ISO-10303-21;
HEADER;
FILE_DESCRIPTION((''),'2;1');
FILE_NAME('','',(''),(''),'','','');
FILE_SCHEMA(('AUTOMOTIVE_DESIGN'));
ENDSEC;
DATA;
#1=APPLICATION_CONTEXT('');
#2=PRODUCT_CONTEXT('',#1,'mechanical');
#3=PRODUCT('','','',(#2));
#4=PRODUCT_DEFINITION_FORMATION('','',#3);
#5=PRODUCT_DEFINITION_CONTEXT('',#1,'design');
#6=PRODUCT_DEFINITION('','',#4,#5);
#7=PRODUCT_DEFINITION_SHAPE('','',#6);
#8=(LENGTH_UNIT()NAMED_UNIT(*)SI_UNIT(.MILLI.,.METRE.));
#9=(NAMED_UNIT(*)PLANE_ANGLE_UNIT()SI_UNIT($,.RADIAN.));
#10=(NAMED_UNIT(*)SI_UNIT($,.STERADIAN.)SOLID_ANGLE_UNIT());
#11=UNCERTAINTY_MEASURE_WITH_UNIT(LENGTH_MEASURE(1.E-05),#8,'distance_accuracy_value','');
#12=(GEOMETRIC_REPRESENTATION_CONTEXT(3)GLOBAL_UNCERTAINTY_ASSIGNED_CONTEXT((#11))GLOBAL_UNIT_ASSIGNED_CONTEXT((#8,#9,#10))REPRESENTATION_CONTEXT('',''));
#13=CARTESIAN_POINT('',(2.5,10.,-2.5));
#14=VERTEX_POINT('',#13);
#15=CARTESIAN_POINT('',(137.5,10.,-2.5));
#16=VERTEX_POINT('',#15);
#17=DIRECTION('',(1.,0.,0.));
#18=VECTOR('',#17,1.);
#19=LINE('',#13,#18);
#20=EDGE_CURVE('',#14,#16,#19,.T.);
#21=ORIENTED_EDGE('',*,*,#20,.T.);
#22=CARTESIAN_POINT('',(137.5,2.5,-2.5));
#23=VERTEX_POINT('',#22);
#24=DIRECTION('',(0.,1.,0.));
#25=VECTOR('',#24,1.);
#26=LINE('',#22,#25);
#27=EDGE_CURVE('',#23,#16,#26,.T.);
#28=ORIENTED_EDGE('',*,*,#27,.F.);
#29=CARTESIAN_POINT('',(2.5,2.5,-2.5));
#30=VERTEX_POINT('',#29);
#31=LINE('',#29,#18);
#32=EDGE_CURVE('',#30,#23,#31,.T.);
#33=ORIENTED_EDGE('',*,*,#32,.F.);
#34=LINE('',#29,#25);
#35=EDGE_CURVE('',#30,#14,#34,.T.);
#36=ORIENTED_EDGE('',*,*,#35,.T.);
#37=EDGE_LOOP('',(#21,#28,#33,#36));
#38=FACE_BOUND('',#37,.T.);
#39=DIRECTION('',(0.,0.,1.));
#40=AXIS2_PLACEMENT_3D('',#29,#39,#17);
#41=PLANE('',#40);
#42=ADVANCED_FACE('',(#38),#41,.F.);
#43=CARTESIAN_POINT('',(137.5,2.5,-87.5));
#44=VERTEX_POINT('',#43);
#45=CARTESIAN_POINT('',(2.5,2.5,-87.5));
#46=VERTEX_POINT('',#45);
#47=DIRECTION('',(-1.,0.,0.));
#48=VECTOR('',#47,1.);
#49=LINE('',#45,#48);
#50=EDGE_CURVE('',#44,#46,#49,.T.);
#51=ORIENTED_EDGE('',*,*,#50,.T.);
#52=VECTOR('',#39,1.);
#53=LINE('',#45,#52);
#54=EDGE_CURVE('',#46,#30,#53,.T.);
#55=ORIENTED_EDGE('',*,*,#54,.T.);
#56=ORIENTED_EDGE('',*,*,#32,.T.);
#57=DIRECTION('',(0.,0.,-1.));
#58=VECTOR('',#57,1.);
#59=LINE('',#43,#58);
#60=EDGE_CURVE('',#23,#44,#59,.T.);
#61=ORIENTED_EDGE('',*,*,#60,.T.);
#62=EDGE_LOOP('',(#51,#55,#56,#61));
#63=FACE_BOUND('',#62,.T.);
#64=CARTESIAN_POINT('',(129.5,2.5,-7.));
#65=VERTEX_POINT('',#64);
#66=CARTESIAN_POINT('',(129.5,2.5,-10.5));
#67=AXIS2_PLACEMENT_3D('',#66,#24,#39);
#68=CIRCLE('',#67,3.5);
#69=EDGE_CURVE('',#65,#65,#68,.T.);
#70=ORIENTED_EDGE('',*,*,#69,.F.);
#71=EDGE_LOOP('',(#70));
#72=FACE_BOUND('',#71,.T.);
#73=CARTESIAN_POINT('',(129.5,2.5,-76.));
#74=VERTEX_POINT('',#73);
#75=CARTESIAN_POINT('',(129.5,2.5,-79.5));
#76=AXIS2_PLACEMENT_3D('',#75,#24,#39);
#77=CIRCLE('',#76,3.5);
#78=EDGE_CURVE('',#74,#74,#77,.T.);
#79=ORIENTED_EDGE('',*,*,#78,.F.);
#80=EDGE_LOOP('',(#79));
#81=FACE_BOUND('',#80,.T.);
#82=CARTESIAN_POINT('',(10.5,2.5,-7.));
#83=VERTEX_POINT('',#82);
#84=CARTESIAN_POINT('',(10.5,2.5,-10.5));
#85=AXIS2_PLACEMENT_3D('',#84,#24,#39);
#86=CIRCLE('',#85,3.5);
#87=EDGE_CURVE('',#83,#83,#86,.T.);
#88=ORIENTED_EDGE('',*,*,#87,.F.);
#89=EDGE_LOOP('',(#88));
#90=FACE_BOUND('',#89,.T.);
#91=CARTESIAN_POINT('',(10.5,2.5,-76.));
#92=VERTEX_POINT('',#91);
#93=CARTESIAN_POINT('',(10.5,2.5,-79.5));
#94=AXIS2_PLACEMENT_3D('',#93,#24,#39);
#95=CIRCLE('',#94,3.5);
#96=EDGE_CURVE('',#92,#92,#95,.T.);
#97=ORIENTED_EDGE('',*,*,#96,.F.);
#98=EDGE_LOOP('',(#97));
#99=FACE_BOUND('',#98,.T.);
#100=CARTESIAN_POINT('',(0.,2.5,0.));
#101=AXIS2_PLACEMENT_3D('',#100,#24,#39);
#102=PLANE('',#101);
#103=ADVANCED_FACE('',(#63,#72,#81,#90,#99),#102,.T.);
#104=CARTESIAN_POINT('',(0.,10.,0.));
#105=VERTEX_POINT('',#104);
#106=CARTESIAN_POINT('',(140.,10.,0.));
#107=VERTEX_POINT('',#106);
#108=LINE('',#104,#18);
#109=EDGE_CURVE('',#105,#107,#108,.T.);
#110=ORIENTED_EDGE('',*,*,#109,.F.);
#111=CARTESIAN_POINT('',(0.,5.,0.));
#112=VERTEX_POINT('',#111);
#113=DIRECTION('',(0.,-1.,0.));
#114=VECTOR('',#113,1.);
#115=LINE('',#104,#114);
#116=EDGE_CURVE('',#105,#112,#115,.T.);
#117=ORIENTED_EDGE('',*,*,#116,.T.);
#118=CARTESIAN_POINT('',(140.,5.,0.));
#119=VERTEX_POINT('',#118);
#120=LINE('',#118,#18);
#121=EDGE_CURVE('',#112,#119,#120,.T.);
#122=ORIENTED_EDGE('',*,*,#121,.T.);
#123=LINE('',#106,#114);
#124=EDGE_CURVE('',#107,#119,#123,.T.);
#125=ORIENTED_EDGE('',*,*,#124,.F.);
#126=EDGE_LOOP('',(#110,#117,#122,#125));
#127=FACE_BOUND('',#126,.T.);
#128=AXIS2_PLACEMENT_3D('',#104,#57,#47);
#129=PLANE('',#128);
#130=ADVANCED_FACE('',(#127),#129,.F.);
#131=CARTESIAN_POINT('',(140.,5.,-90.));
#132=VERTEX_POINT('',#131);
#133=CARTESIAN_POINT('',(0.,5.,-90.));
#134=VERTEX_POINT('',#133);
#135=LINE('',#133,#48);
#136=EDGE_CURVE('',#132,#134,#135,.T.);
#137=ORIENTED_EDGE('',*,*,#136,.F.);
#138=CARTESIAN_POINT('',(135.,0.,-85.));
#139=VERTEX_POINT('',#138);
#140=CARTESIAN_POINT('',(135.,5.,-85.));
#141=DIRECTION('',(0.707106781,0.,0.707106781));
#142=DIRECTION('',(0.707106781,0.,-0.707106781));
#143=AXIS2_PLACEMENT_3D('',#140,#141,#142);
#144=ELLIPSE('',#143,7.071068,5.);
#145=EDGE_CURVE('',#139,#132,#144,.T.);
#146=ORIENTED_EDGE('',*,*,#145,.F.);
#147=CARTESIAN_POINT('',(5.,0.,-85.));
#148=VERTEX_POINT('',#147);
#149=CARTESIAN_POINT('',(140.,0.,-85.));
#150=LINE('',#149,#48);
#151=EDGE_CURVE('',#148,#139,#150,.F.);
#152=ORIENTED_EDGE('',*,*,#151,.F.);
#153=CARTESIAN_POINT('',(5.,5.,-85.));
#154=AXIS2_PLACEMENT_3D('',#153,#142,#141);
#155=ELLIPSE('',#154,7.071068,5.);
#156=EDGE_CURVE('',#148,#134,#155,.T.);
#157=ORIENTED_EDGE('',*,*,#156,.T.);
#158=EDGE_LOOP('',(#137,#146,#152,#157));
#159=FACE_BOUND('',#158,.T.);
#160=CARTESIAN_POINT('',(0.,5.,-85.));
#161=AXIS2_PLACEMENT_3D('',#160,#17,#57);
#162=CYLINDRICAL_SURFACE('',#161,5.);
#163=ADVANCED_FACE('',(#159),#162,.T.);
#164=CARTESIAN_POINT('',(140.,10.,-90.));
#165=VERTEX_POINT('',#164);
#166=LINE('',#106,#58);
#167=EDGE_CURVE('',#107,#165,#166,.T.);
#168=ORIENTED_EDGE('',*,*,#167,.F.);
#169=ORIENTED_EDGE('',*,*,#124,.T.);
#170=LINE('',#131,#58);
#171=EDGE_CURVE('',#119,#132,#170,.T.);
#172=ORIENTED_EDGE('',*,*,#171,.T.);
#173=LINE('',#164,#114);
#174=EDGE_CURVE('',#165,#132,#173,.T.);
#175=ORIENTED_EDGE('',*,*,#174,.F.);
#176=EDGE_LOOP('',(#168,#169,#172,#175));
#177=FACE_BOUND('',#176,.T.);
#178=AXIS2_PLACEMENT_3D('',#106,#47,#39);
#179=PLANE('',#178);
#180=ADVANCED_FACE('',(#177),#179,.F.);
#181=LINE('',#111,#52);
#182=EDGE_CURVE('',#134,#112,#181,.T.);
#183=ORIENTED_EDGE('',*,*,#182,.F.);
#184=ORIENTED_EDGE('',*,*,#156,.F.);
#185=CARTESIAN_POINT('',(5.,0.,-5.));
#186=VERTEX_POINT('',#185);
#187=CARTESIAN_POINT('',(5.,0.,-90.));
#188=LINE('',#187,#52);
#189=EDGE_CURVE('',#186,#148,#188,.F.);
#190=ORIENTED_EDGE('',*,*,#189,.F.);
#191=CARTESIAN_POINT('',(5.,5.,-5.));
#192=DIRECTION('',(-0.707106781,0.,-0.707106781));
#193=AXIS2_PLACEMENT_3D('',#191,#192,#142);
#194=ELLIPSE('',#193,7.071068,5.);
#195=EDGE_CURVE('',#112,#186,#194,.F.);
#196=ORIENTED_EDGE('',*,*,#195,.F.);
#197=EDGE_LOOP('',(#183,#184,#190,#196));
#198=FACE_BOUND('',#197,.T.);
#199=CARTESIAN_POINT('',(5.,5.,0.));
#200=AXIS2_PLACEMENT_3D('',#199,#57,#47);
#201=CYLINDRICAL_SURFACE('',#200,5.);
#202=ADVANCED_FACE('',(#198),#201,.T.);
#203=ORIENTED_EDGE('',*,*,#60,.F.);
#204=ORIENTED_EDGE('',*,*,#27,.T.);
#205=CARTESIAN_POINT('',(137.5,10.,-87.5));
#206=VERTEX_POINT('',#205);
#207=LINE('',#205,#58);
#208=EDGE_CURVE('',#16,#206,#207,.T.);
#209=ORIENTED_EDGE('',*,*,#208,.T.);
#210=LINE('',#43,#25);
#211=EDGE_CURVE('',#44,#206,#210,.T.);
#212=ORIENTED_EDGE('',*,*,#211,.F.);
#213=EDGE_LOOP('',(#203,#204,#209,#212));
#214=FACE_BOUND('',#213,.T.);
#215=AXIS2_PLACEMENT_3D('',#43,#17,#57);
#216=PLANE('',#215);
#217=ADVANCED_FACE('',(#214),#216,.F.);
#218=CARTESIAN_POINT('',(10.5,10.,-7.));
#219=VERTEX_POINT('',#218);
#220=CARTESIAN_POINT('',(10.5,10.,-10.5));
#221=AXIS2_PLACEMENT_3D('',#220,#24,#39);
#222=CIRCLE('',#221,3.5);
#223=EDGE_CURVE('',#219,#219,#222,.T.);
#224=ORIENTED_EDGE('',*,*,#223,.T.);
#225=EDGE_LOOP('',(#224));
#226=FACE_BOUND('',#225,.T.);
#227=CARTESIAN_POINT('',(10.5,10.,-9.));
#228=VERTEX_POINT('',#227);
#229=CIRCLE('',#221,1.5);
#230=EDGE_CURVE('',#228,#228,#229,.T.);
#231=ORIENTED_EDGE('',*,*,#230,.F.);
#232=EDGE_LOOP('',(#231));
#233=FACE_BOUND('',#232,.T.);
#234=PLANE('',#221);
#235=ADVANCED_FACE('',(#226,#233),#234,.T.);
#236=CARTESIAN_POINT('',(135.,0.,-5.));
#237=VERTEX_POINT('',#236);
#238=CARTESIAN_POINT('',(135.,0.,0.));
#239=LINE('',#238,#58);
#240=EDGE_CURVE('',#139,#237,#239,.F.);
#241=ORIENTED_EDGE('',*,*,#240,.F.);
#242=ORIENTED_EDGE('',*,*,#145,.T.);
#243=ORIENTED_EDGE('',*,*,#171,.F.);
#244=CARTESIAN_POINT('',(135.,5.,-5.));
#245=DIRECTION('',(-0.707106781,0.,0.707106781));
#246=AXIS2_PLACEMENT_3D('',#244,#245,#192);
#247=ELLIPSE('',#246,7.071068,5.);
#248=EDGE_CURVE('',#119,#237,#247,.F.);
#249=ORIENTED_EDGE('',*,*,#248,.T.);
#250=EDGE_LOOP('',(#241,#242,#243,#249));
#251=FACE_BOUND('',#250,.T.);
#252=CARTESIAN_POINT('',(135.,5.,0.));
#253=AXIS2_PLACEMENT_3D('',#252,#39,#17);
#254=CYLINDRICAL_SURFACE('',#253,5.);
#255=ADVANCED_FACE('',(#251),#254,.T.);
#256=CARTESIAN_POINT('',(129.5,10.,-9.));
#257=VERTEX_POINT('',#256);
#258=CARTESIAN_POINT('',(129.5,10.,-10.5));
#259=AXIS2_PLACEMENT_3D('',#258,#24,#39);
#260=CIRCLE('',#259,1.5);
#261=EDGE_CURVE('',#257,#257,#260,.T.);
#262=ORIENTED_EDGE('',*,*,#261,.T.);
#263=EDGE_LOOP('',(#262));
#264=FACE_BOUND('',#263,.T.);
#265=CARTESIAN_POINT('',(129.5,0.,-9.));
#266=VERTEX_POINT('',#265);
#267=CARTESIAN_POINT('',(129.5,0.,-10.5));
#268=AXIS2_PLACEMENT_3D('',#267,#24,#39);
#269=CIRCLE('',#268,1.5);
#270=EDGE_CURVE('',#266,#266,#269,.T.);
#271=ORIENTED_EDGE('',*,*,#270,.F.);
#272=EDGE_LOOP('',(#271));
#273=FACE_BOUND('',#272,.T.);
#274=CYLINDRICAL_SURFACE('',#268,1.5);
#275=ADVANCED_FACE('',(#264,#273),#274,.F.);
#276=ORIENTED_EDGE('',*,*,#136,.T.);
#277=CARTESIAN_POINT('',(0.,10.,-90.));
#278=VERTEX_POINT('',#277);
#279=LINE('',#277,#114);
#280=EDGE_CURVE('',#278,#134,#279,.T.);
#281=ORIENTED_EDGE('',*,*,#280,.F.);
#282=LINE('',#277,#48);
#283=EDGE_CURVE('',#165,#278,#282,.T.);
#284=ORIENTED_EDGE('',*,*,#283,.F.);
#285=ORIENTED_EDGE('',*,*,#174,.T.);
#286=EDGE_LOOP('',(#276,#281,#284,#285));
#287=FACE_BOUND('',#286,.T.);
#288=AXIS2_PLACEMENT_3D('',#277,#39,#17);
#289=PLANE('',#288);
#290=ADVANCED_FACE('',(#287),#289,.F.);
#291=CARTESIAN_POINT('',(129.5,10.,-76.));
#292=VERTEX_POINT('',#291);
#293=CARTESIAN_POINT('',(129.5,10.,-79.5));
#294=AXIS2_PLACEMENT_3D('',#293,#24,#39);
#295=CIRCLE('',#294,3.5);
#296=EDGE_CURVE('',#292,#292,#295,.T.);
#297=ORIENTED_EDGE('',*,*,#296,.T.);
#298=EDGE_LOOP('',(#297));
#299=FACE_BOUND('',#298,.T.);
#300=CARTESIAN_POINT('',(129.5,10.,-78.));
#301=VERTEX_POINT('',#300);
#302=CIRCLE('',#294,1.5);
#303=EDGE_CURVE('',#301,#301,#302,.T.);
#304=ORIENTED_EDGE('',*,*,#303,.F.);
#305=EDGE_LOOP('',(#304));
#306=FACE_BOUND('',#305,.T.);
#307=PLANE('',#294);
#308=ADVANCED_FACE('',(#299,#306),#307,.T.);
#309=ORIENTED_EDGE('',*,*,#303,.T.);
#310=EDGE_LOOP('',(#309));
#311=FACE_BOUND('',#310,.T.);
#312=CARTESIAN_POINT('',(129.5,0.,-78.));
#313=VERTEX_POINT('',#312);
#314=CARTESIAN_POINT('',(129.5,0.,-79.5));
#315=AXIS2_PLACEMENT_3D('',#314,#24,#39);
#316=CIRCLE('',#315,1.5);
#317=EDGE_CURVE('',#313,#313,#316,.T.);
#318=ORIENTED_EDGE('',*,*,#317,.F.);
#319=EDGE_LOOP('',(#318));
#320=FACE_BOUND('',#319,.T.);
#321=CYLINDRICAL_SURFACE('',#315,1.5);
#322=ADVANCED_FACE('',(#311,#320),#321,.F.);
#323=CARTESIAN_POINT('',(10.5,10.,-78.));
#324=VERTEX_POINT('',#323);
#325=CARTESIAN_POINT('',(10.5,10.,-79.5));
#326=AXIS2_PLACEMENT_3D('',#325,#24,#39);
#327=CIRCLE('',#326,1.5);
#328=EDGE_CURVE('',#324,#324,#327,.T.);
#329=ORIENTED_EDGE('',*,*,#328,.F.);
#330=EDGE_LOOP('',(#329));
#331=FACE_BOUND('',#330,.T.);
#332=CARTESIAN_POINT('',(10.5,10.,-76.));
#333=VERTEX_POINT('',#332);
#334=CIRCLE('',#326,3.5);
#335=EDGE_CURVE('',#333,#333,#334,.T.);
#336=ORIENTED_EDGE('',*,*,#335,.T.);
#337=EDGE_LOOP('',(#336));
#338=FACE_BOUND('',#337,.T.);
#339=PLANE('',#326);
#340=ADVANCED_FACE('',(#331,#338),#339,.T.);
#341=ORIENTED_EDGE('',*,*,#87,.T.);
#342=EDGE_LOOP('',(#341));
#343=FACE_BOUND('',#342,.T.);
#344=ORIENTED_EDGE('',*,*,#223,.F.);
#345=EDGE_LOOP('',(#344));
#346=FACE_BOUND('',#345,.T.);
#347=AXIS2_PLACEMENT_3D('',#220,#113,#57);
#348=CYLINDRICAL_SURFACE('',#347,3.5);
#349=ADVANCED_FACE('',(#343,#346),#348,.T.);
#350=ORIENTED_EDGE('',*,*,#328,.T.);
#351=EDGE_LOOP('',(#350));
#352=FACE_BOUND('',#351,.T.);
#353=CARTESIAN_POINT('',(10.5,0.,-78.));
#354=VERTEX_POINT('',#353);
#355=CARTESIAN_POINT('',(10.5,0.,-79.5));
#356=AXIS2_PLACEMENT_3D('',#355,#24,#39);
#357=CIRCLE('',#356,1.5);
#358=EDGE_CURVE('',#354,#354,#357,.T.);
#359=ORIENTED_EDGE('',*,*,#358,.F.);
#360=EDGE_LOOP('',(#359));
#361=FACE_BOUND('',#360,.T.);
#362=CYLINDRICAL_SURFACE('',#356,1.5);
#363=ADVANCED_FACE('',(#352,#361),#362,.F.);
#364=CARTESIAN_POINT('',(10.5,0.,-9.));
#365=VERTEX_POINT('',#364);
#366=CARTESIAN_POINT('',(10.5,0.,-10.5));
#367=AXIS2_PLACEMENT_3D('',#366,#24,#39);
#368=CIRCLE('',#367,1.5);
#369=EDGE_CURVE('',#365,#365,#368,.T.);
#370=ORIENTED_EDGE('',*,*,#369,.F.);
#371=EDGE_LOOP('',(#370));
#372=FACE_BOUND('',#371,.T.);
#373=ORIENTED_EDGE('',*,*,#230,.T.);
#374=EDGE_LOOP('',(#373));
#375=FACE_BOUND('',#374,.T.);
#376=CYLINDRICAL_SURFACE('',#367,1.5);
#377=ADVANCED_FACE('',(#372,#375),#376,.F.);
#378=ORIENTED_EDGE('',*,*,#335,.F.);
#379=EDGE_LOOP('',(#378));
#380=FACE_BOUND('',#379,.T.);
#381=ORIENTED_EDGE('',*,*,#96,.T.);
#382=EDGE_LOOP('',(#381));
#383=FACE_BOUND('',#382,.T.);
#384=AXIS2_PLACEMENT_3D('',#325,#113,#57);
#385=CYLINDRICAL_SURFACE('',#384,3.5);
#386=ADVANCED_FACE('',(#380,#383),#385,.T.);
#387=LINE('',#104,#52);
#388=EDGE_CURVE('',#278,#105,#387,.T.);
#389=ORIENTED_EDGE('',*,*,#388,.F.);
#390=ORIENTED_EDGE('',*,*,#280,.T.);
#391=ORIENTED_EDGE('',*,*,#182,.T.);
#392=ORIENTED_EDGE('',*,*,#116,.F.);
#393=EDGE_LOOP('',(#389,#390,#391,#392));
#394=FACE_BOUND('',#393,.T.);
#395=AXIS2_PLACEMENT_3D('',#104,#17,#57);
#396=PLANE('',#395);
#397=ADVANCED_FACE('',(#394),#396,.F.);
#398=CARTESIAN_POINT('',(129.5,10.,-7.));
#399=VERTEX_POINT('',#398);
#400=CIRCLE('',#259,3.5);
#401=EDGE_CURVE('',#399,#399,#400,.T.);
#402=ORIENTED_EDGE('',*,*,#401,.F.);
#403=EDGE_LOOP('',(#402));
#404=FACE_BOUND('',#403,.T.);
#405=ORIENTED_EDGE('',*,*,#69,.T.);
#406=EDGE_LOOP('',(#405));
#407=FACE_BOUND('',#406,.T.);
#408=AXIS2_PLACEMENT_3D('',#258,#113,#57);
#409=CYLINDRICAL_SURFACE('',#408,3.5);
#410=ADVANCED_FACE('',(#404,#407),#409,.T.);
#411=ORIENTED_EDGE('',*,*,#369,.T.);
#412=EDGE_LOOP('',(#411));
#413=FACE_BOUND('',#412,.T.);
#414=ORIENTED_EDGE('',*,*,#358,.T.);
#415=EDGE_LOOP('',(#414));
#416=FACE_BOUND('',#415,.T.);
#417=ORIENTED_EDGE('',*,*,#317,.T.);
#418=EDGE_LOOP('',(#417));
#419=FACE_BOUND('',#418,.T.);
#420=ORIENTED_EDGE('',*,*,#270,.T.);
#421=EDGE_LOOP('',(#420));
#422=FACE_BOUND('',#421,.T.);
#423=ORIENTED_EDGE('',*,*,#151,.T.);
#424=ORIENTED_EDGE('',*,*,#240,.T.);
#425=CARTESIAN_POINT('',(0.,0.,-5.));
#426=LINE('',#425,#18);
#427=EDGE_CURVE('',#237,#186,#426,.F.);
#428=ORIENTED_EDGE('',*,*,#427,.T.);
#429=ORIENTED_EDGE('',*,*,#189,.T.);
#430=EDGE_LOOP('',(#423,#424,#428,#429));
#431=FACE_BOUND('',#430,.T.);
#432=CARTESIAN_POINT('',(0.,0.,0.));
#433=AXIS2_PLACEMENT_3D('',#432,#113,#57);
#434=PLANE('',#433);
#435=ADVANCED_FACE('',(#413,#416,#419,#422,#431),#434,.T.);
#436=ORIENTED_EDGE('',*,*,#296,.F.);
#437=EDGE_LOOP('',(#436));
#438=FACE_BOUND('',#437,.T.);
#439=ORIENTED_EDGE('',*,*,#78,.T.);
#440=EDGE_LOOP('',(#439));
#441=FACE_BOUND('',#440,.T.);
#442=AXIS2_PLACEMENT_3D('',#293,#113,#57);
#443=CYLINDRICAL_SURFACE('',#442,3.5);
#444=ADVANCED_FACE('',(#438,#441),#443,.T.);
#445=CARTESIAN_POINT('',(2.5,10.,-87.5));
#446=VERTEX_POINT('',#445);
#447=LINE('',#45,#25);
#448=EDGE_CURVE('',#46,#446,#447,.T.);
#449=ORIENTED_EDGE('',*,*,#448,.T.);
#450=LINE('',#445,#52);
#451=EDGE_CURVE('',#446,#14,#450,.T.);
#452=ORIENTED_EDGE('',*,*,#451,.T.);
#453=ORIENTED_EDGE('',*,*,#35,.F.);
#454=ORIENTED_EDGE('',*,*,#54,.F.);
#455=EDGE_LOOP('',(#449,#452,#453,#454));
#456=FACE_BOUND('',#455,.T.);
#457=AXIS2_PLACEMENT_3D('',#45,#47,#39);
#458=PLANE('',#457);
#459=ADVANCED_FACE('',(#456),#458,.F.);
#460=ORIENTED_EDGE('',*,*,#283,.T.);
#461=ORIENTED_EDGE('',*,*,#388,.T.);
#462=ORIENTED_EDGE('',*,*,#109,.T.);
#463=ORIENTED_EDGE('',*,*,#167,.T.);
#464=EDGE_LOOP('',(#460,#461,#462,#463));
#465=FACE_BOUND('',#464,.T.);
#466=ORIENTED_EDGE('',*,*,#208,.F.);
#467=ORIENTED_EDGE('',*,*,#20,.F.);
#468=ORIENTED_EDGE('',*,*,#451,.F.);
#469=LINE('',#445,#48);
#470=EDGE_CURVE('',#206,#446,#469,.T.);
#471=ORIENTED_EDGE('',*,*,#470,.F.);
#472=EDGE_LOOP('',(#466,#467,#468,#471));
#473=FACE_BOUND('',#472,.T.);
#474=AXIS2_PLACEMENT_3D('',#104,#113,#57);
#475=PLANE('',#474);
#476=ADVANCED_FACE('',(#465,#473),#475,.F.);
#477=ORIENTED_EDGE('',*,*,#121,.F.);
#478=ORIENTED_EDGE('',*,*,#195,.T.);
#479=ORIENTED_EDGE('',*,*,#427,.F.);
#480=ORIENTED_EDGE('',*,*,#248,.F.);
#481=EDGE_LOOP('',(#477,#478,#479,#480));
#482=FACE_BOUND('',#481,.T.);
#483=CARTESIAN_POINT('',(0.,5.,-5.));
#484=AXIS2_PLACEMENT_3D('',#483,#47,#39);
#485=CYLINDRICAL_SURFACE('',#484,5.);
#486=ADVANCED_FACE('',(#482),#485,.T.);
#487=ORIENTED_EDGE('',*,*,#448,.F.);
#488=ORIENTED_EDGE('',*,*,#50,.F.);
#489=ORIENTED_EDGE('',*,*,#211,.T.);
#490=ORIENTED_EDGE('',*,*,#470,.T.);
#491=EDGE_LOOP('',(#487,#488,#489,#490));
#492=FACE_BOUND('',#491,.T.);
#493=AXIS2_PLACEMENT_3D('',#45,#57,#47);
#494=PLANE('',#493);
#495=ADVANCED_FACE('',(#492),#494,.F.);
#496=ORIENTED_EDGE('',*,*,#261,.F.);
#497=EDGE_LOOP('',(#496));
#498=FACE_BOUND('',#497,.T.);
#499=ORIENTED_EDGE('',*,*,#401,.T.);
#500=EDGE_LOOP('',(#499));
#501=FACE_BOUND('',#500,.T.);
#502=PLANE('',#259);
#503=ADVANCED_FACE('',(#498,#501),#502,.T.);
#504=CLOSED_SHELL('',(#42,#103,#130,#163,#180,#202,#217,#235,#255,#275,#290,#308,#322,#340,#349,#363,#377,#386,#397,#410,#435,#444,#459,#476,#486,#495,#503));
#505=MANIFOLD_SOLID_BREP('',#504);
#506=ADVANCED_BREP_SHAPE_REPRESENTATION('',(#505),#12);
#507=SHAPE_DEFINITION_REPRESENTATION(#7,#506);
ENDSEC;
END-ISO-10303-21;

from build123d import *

# Parameters (mm, degrees)
SKETCH1_W           = 140
SKETCH1_H           = 90
BOSS_EXTRUDE2_DEPTH = 10
SKETCH2_W           = 135
SKETCH2_H           = 85
CUT_EXTRUDE1_DEPTH  = 7.5
SKETCH4_R           = 3.5
BOSS_EXTRUDE3_DEPTH = 7.5
SKETCH5_R           = 1.5
CUT_EXTRUDE2_DEPTH  = 167.733320005
FILLET1_R           = 5


with BuildPart() as part:
    # Sketch1 → Boss-Extrude2 (new body)
    with BuildSketch(Plane(origin=(0, 0, 0), x_dir=(1, 0, 0), z_dir=(0, 1, 0))):
        with Locations((70, 45)):
            Rectangle(SKETCH1_W, SKETCH1_H)
    extrude(amount=BOSS_EXTRUDE2_DEPTH)

    # Sketch2 → Cut-Extrude1 (cut)
    with BuildSketch(Plane(origin=(0, 10, 0), x_dir=(1, 0, 0), z_dir=(0, 1, 0))):
        with Locations((70, 45)):
            Rectangle(SKETCH2_W, SKETCH2_H)
    extrude(amount=-CUT_EXTRUDE1_DEPTH, mode=Mode.SUBTRACT)

    # Sketch4 → Boss-Extrude3 (add)
    with BuildSketch(Plane(origin=(0, 2.5, 0), x_dir=(1, 0, 0), z_dir=(0, 1, 0))):
        with Locations(Location((10.5, 79.5, 0), (0, 0, 270))):
            Circle(SKETCH4_R)
        with Locations(Location((10.5, 10.5, 0), (0, 0, 270))):
            Circle(SKETCH4_R)
        with Locations(Location((129.5, 10.5, 0), (0, 0, 270))):
            Circle(SKETCH4_R)
        with Locations(Location((129.5, 79.5, 0), (0, 0, 270))):
            Circle(SKETCH4_R)
    extrude(amount=BOSS_EXTRUDE3_DEPTH)

    # Sketch5 → Cut-Extrude2 (cut, through all)
    with BuildSketch(Plane(origin=(0, 10, 0), x_dir=(1, 0, 0), z_dir=(0, 1, 0))):
        with Locations(Location((10.5, 10.5, 0), (0, 0, 270))):
            Circle(SKETCH5_R)
        with Locations(Location((10.5, 79.5, 0), (0, 0, 270))):
            Circle(SKETCH5_R)
        with Locations(Location((129.5, 79.5, 0), (0, 0, 270))):
            Circle(SKETCH5_R)
        with Locations(Location((129.5, 10.5, 0), (0, 0, 270))):
            Circle(SKETCH5_R)
    extrude(amount=-CUT_EXTRUDE2_DEPTH, mode=Mode.SUBTRACT)

    # Fillet1
    fillet1_edges = [part.edges().sort_by_distance(p)[0] for p in [
        (70, 0, -90),
        (140, 0, -45),
        (70, 0, 0),
        (0, 0, -45),
    ]]
    fillet(fillet1_edges, radius=FILLET1_R)


solid = part.part
